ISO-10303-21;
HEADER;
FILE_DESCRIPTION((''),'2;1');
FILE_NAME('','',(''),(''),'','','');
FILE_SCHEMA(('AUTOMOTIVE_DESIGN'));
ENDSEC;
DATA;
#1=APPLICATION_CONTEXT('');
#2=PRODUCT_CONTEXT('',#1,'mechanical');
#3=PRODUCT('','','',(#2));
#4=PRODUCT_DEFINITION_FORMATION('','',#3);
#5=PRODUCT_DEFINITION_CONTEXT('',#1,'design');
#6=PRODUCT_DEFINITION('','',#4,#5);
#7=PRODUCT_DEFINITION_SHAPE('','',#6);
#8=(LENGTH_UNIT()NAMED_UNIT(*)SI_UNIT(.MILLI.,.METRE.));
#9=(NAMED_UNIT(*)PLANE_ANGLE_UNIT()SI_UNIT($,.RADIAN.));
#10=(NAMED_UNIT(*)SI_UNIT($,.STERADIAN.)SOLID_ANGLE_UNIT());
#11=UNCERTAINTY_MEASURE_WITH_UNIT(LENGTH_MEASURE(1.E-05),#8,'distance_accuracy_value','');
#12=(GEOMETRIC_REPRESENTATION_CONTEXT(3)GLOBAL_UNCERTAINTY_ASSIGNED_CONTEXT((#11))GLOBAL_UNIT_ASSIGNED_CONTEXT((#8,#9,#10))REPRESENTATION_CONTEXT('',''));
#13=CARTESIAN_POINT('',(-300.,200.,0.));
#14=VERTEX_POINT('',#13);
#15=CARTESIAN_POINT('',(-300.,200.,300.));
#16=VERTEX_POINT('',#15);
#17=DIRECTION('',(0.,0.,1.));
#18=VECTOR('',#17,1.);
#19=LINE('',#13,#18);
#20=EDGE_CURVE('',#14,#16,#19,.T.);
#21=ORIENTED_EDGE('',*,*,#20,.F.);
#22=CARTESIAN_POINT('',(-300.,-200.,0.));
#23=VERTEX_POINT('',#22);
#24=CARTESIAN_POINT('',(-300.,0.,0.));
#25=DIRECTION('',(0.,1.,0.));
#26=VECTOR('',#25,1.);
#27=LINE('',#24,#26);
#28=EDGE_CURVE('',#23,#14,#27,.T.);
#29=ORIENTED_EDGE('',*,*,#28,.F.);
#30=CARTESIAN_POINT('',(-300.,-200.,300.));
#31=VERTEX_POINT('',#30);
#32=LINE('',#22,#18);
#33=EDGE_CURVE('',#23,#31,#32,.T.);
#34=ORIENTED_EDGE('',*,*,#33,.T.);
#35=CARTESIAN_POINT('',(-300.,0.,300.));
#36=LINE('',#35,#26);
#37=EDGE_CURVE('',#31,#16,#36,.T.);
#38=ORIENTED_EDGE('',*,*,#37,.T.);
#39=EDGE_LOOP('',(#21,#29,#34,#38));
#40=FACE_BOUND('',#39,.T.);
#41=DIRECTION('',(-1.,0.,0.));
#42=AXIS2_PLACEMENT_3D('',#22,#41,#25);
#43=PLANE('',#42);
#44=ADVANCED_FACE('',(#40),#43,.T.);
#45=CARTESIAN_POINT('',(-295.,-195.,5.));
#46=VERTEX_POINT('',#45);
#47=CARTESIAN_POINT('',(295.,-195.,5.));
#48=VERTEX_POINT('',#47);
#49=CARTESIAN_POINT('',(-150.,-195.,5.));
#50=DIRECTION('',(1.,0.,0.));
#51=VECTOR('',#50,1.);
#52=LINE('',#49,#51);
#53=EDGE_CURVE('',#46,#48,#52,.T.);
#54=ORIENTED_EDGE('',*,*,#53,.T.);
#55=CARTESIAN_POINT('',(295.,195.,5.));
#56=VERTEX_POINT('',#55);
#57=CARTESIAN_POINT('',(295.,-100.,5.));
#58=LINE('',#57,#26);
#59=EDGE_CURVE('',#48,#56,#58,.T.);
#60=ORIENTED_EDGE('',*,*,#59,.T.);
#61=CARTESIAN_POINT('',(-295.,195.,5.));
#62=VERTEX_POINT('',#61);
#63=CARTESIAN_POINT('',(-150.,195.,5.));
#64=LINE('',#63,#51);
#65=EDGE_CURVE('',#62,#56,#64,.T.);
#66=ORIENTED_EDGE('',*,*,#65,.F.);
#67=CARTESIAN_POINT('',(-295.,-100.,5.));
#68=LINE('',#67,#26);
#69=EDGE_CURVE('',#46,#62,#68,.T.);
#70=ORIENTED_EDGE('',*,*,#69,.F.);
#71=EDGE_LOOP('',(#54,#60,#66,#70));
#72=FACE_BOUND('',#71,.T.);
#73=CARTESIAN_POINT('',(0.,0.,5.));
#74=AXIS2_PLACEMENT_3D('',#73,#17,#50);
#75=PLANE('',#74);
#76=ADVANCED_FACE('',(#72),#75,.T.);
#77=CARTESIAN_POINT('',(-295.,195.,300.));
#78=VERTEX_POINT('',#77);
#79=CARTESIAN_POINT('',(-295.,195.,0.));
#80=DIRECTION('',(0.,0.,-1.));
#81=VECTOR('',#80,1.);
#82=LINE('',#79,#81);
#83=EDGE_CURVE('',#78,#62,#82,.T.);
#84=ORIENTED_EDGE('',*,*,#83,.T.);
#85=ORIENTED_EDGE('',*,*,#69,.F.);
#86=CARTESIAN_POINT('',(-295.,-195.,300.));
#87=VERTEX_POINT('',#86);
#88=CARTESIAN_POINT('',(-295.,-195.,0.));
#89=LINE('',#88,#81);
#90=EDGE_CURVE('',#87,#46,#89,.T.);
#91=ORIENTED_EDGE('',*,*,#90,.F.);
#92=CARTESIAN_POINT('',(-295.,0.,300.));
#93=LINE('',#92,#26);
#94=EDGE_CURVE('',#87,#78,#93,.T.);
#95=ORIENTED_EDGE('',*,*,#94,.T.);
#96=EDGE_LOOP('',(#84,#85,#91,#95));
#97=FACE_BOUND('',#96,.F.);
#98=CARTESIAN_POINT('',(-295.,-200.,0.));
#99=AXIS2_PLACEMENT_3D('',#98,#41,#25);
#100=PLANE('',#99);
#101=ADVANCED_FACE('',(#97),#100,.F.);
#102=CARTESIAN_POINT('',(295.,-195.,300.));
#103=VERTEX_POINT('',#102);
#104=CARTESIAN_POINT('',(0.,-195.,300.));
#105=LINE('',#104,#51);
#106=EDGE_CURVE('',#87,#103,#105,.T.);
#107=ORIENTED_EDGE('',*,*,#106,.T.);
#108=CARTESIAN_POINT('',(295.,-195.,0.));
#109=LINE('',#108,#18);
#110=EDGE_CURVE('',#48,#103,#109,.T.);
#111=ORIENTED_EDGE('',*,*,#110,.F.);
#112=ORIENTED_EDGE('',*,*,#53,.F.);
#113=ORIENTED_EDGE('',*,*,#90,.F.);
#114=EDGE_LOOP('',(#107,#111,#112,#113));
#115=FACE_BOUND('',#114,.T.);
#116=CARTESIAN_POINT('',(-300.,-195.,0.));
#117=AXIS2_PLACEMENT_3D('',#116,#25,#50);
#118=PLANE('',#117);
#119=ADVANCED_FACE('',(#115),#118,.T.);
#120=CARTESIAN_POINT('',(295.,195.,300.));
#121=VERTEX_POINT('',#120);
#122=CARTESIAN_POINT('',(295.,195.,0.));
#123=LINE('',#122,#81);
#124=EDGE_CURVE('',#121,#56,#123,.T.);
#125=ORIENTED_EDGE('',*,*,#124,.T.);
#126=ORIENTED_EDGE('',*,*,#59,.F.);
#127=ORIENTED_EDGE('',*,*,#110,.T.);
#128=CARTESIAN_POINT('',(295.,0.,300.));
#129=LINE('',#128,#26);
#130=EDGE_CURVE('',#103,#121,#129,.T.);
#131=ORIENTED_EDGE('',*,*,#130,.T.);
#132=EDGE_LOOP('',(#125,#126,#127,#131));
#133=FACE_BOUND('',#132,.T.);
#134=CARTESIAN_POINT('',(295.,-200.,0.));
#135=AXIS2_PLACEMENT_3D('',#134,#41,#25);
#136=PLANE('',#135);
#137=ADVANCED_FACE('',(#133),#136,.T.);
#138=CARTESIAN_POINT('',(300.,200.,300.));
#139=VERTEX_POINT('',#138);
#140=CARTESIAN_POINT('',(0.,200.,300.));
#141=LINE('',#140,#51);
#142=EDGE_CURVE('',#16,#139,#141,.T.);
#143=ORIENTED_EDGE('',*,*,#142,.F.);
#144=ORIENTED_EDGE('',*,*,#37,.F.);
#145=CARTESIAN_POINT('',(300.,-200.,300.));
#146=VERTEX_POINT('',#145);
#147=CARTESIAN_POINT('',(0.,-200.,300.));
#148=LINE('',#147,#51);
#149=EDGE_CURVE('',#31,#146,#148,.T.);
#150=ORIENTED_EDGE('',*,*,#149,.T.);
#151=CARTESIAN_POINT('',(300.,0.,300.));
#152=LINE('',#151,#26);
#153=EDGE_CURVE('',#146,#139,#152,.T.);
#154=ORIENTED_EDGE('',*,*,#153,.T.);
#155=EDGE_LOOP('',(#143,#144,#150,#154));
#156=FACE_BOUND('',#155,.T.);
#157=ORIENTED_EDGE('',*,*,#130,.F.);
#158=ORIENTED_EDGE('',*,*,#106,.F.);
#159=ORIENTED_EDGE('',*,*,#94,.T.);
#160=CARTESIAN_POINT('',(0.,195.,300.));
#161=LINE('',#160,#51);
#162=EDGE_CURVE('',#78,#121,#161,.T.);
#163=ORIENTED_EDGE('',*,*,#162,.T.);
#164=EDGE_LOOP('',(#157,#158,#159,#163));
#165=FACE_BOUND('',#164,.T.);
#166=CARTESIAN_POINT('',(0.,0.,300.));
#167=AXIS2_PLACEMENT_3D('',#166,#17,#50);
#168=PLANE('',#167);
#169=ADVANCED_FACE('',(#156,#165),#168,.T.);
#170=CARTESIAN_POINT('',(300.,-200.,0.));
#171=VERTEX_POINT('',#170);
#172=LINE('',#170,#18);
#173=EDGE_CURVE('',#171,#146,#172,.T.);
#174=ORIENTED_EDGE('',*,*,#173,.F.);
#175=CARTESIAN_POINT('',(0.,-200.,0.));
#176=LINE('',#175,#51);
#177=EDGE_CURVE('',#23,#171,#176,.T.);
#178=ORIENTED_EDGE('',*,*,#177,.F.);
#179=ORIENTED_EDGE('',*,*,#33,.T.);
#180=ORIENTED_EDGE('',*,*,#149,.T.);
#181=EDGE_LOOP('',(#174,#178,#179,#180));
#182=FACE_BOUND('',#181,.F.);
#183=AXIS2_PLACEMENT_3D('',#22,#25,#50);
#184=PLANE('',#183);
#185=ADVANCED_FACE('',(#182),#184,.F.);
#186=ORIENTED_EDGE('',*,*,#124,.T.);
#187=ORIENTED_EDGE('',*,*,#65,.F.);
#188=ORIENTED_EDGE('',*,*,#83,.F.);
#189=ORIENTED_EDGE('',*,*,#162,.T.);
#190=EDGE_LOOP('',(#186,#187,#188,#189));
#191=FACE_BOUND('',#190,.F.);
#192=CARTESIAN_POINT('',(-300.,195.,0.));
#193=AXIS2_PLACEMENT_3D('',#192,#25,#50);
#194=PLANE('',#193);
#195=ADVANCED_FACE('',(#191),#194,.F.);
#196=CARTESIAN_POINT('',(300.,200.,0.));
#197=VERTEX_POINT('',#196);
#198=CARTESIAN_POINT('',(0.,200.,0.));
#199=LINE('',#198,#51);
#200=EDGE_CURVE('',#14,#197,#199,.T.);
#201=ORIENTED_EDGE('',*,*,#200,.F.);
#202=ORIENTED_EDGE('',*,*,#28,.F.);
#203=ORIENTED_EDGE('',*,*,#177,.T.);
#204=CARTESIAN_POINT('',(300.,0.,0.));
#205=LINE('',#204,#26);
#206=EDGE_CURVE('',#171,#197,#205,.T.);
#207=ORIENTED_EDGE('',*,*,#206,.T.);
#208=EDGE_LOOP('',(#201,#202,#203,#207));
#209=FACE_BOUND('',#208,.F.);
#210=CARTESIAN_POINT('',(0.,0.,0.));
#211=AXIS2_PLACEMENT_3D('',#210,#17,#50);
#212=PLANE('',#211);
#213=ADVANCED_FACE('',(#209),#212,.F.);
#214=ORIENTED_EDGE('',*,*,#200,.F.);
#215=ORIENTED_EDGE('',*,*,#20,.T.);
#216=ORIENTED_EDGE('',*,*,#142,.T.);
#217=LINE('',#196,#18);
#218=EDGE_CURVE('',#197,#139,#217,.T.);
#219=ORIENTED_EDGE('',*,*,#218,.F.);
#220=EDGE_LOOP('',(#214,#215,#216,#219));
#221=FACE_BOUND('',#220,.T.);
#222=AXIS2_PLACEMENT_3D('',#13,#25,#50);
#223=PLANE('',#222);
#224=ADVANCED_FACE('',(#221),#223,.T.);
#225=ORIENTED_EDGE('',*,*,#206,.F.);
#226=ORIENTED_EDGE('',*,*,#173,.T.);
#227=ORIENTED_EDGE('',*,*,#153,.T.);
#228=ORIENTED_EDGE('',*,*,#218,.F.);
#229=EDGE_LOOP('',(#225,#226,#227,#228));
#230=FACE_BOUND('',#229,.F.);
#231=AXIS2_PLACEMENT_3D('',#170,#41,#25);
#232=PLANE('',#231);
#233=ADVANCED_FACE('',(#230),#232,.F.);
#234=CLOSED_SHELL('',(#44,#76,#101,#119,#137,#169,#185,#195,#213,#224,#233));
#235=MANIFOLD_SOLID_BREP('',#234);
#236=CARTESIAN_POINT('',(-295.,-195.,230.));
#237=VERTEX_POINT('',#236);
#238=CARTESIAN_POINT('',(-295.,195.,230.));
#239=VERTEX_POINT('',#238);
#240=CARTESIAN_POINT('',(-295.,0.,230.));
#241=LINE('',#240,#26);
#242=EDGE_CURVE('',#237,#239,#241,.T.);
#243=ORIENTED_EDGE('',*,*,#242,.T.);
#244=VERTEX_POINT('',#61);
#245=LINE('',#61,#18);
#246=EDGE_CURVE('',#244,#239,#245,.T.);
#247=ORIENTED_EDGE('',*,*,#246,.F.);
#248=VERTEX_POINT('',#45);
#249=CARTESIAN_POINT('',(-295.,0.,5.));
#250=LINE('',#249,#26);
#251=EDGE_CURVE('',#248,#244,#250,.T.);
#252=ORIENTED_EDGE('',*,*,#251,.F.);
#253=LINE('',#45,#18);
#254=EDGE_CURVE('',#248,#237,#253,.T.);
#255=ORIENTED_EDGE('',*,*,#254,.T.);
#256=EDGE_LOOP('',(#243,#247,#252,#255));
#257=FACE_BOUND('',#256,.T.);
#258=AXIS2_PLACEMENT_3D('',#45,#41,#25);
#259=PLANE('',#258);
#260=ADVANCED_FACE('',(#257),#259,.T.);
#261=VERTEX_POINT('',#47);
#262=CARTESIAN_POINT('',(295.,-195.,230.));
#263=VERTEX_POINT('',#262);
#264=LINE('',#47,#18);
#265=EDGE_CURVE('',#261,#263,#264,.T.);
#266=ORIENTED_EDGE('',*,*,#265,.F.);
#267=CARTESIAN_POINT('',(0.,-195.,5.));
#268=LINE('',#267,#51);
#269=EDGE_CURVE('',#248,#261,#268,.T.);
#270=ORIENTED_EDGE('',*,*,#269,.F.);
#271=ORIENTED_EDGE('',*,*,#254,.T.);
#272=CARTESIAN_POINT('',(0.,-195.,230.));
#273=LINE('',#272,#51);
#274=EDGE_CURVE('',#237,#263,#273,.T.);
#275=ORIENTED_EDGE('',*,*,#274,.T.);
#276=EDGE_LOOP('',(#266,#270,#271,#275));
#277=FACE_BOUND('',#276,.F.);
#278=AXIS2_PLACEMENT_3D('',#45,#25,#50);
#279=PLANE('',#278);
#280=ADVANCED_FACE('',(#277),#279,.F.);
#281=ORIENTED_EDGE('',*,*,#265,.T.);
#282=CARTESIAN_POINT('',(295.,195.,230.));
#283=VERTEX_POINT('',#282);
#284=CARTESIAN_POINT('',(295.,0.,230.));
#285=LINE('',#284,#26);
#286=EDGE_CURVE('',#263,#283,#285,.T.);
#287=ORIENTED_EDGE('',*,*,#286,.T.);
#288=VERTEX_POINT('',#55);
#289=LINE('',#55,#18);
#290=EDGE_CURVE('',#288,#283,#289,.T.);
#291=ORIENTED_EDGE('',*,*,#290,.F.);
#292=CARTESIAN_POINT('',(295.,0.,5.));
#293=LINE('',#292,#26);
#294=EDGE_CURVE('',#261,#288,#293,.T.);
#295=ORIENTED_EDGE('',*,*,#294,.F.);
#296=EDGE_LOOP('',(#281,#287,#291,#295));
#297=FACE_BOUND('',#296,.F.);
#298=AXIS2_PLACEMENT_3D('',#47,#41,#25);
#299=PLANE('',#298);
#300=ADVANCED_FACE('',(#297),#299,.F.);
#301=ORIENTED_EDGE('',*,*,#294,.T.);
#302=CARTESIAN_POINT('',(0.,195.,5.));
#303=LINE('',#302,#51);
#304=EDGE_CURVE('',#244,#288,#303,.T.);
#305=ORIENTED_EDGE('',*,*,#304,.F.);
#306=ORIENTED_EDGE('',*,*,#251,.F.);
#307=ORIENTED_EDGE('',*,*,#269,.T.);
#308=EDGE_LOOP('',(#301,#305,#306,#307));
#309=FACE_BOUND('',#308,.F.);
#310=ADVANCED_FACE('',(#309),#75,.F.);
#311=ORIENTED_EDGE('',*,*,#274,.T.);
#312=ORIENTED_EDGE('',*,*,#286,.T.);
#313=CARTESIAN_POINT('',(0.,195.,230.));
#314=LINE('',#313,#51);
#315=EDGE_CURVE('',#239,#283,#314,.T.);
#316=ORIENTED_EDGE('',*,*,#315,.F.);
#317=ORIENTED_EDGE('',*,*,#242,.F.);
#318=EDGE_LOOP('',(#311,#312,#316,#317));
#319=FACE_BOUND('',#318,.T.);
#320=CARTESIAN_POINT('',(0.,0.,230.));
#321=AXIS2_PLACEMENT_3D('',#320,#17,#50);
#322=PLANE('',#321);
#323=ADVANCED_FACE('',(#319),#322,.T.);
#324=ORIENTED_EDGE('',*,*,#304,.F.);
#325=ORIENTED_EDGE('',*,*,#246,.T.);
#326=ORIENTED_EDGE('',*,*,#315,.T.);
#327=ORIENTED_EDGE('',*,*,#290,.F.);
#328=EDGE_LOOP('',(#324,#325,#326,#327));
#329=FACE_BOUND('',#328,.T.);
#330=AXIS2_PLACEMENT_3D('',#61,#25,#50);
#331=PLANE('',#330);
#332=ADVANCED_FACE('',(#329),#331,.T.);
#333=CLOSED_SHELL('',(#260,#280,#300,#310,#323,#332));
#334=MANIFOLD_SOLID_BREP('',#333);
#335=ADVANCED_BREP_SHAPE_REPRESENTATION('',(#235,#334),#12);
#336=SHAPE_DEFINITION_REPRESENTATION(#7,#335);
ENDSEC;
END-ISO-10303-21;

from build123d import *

# Parameters (mm, degrees)
F0_W     = 600
F0_H     = 400
F1_DEPTH = 300
F2_T     = -5
F3_W     = 590
F3_H     = 390
F4_DEPTH = 225


with BuildPart() as f1:
    # F0 (on Top) → F1 (new body)
    with BuildSketch(Plane.XY):
        Rectangle(F0_W, F0_H)
    extrude(amount=F1_DEPTH)

    # F2
    f2_openings = [f1.faces().sort_by_distance(p)[0] for p in [
        (0, 0, 300),
    ]]
    offset(amount=F2_T, openings=f2_openings)


with BuildPart() as f4:
    # F3 (on face) → F4 (new body)
    with BuildSketch(Plane.XY.offset(5)):
        Rectangle(F3_W, F3_H)
    extrude(amount=F4_DEPTH)


solid = Compound([f1.part, f4.part])
